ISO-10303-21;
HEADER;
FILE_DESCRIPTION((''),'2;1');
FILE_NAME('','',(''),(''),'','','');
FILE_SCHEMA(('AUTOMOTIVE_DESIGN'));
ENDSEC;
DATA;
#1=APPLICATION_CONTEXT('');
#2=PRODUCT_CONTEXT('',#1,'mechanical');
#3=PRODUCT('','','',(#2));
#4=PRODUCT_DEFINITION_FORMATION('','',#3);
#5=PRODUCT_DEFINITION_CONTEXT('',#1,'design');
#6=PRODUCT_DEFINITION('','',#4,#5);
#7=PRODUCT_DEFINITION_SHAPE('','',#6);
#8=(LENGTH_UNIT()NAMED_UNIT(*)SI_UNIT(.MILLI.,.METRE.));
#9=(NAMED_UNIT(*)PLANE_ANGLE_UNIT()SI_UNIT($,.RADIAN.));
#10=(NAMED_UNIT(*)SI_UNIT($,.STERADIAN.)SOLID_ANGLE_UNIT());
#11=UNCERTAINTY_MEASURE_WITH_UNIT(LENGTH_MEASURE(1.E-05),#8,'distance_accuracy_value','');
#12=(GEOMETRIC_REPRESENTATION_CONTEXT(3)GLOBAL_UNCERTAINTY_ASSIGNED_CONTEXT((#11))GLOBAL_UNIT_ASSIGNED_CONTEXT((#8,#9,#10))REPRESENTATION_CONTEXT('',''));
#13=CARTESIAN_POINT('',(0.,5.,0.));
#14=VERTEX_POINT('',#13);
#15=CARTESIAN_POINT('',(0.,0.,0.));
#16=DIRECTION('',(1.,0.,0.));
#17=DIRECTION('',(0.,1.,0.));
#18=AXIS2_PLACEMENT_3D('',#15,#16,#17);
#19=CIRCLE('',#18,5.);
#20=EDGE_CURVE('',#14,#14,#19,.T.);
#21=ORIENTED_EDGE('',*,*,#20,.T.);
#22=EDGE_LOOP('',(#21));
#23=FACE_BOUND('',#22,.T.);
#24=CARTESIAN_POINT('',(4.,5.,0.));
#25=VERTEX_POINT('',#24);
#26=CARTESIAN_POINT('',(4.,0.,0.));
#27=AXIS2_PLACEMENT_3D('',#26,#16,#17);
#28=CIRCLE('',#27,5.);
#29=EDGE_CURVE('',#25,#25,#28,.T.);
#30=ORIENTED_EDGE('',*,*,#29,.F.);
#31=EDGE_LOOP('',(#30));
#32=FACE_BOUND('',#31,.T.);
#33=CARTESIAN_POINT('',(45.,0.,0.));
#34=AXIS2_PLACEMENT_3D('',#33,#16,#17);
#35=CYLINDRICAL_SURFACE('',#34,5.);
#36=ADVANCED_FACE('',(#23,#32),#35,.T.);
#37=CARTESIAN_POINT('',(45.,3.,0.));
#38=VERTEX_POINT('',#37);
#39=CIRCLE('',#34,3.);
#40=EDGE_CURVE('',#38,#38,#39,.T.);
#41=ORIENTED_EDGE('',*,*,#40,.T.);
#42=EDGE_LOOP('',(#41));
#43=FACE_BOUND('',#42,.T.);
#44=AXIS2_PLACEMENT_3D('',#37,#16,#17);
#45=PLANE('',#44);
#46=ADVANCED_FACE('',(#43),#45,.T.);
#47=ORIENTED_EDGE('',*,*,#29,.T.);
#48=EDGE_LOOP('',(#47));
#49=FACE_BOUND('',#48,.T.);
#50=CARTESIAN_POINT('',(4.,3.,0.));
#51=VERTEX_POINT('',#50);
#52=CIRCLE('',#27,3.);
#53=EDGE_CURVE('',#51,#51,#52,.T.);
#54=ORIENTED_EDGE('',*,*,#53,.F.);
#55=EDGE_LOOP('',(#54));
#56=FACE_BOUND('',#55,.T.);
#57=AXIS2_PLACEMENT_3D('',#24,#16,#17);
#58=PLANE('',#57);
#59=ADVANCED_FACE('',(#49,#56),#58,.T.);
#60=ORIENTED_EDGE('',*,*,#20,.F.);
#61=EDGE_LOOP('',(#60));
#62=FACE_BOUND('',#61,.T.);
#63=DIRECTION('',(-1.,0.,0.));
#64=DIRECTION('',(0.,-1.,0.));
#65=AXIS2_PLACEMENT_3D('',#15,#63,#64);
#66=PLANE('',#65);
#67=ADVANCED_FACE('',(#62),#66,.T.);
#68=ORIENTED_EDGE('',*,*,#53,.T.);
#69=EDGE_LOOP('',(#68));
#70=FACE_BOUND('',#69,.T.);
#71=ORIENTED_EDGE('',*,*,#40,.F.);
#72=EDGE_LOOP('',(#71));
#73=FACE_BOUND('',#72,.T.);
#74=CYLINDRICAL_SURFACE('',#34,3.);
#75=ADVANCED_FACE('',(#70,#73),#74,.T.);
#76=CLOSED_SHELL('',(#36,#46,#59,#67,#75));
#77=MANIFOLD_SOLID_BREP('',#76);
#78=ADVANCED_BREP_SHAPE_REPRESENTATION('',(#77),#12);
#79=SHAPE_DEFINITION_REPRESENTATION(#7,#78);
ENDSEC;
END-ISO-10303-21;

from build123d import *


with BuildPart() as part:
    # Esquisse1 → Révolution1 (revolve)
    with BuildSketch(Plane.XY):
        Polygon((0, 0), (0, 5), (4, 5), (4, 3), (45, 3), (45, 0), align=None)
    revolve(axis=Axis((45, 0, 0), (-1, 0, 0)))


solid = part.part
